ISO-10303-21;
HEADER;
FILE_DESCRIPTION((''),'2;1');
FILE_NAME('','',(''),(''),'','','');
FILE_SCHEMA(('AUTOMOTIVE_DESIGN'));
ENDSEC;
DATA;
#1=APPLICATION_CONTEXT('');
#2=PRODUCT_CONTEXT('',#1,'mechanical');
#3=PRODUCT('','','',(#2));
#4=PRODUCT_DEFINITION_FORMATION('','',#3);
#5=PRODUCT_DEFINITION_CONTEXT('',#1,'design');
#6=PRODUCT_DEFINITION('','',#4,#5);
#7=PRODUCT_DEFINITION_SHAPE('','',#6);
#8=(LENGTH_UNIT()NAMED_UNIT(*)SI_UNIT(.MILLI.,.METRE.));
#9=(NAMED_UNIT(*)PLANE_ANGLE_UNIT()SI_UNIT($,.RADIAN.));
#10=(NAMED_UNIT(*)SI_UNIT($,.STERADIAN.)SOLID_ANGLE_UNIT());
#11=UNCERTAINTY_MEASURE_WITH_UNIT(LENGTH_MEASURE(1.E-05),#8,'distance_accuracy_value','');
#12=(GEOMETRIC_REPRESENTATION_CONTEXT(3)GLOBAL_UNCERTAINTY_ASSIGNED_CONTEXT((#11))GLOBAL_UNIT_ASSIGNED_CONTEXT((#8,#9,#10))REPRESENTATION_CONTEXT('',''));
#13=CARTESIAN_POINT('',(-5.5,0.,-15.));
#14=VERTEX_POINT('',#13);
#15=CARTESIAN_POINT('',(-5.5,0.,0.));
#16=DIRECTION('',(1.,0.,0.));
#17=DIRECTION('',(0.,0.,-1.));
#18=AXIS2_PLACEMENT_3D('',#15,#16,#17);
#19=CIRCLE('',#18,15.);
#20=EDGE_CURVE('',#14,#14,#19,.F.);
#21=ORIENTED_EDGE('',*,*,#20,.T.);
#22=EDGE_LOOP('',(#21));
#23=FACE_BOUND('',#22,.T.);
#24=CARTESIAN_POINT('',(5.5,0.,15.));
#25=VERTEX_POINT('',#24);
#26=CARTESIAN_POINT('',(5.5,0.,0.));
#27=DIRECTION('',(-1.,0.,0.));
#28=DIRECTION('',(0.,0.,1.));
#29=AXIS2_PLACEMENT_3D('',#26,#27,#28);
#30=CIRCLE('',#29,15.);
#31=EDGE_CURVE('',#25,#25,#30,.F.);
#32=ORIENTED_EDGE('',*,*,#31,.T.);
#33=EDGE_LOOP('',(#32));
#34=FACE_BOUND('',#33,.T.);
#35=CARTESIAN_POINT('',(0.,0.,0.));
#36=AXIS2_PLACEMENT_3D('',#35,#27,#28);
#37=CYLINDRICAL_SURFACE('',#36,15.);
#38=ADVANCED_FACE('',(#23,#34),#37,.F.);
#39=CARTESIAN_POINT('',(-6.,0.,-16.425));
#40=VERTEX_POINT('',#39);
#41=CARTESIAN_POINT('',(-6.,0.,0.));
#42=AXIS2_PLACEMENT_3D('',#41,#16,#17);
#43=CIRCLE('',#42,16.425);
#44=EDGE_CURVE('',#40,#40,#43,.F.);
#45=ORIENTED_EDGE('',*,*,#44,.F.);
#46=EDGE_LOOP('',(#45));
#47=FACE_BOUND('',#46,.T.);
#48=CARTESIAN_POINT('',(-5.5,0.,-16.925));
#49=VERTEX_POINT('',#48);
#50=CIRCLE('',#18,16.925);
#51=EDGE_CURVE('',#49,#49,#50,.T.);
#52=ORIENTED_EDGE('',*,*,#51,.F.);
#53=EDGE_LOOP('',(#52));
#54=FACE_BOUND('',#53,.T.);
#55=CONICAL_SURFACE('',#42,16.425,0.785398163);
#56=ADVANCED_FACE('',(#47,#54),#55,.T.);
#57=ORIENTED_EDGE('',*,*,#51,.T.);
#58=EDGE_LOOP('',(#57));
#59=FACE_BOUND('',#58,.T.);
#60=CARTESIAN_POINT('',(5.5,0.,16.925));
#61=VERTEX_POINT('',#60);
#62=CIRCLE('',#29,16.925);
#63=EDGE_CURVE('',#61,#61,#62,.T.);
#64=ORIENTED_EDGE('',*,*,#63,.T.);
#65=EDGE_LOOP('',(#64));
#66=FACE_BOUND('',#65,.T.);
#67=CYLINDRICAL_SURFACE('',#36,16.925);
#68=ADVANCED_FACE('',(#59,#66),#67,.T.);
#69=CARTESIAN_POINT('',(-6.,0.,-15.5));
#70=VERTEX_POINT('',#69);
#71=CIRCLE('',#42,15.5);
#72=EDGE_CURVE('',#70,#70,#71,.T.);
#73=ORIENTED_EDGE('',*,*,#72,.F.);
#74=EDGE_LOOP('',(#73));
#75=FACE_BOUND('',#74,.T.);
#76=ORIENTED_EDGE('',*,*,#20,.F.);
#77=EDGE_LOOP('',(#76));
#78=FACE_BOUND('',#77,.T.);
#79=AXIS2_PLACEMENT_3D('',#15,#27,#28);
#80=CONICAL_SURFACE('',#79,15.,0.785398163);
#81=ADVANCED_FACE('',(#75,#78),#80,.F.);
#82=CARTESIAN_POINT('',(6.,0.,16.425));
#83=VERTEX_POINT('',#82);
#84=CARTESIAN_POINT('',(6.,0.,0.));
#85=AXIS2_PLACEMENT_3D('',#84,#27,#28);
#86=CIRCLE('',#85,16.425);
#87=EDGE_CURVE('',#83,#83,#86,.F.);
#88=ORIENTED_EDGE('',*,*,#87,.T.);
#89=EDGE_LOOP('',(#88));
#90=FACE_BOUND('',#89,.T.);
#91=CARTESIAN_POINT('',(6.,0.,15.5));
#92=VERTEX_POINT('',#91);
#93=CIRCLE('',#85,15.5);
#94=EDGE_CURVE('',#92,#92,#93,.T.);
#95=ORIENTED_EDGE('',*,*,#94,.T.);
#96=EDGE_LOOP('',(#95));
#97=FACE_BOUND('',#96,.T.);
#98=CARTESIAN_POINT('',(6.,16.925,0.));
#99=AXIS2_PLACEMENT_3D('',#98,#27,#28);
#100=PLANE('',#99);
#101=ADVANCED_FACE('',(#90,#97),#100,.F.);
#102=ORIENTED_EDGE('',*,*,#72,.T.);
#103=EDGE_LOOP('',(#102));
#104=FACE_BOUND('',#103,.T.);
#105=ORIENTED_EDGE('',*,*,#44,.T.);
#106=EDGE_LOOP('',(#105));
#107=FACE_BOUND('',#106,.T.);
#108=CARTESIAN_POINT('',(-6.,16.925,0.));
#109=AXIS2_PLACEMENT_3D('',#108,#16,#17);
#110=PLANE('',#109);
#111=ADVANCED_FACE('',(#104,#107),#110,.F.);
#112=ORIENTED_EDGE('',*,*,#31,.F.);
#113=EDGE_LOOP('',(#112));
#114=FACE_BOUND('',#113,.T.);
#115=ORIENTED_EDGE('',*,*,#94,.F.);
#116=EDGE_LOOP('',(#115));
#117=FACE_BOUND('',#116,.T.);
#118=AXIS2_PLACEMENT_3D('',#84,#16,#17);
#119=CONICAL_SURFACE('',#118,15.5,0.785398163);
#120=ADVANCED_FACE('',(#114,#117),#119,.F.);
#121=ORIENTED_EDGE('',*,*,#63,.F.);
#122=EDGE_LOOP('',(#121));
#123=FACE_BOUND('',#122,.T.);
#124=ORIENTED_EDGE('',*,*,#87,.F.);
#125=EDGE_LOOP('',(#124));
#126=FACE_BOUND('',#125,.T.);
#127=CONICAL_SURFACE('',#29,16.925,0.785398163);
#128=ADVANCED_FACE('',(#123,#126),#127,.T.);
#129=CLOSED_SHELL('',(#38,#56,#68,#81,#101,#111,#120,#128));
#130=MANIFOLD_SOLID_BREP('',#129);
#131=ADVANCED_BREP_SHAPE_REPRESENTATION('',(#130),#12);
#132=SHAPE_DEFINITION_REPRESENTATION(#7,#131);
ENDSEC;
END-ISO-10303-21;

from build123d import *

# Parameters (mm, degrees)
SKETCH1_W     = 12
SKETCH1_H     = 1.925
CHAMFER1_SIZE = 0.5


with BuildPart() as part:
    # Sketch1 → Revolve1 (revolve)
    with BuildSketch(Plane.XY):
        with Locations((0, 15.9625)):
            Rectangle(SKETCH1_W, SKETCH1_H)
    revolve(axis=Axis((0, 0, 0), (1, 0, 0)))

    # Chamfer1
    chamfer1_edges = [part.edges().sort_by_distance(p)[0] for p in [
        (-6, -16.925, 0),
        (6, -16.925, 0),
        (6, -15, 0),
        (-6, -15, 0),
    ]]
    chamfer(chamfer1_edges, length=CHAMFER1_SIZE)


solid = part.part
